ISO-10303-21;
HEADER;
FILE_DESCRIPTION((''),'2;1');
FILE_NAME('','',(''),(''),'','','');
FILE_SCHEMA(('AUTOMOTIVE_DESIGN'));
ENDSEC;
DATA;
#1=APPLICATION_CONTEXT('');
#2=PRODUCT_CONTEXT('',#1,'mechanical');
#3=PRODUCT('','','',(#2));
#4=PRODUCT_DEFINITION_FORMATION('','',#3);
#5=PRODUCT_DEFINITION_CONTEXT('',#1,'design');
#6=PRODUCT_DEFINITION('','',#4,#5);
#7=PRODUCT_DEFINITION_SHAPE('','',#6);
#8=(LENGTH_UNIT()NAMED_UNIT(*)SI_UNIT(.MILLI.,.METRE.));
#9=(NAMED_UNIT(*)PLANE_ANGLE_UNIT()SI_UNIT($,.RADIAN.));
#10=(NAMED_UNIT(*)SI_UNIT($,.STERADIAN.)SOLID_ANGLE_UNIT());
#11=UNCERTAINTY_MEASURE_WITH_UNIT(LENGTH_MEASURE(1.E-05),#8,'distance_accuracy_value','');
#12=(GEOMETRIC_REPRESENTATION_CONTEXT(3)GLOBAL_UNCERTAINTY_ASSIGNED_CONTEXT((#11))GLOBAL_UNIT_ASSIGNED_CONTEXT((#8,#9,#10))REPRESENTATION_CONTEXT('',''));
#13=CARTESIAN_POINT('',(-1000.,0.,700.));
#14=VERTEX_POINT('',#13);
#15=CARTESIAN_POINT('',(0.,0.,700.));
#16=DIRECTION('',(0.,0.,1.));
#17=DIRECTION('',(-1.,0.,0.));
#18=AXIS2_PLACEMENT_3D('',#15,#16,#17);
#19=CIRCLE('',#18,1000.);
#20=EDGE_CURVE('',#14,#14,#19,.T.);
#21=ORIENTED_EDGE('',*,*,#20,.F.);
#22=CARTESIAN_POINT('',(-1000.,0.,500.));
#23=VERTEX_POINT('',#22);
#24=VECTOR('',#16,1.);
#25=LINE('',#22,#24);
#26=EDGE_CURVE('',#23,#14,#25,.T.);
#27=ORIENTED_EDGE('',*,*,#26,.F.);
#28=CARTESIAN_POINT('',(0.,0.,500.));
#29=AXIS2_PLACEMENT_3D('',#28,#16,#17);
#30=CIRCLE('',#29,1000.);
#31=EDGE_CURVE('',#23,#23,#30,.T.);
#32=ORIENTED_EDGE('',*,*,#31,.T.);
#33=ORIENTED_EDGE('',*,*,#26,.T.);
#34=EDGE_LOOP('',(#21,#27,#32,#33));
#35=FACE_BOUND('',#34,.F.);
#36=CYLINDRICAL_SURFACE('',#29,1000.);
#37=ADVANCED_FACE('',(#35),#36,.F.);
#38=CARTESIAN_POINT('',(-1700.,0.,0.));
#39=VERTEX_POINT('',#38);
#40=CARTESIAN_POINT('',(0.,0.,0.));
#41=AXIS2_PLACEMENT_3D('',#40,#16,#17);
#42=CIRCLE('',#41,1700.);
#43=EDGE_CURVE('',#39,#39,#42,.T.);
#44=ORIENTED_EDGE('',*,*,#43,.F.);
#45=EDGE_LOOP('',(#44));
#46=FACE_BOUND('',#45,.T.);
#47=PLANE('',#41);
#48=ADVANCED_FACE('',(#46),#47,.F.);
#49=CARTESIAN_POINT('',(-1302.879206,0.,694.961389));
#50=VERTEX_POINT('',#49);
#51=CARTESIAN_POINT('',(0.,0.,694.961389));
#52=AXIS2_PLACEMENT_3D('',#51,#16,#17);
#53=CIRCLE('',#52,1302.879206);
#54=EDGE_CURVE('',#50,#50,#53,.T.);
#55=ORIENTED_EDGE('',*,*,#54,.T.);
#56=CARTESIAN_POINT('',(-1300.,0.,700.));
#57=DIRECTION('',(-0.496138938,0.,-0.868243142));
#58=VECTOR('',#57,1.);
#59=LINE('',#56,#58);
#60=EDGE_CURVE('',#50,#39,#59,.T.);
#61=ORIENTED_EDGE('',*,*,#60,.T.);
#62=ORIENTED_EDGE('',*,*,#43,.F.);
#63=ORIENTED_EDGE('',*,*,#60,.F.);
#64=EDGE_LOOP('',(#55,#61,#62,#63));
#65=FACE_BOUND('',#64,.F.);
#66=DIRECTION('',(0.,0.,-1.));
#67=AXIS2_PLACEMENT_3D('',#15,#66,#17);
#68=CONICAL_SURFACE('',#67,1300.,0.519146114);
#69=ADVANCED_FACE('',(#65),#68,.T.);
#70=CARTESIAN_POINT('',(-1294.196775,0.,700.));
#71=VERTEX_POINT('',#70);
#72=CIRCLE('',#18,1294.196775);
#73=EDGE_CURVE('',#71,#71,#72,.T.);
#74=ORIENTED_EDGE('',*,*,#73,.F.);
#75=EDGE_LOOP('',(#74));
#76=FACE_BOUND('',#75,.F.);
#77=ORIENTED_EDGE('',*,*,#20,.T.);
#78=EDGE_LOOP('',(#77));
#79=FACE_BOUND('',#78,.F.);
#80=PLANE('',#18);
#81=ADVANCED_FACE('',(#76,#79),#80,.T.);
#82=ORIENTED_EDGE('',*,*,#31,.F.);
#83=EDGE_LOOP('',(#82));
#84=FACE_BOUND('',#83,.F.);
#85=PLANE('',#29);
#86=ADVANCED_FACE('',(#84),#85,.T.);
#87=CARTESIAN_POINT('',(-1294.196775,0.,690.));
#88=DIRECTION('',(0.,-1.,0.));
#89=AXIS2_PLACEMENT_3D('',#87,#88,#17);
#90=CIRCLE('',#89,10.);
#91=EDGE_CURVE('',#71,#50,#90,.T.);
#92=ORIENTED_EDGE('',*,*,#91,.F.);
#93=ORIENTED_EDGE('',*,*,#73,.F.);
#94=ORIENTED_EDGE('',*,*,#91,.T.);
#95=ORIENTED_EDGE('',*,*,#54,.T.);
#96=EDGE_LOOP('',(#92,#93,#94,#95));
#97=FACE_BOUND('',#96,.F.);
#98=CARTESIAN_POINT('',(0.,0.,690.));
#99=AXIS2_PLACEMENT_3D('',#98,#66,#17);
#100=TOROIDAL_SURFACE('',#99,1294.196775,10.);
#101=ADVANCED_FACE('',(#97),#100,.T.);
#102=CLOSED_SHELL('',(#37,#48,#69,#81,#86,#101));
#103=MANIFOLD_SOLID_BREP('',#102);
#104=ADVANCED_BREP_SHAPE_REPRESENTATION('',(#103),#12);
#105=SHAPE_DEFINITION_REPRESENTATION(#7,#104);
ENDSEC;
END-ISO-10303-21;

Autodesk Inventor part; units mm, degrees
ref_plane "YZ Plane" through (0, 0, 0) normal (1, 0, 0) x (0, 1, 0)
ref_plane "XZ Plane" through (0, 0, 0) normal (0, 1, 0) x (-1, 0, 0)
ref_plane "XY Plane" through (0, 0, 0) normal (0, 0, 1) x (1, 0, 0)
sketch "Sketch2" plane through (0, 0, 0) normal (0, 1, 0) x (-1, 0, 0)
  line L0 (0, 0) -> (1700, 0)
  line L1 (0, 0) -> (0, 500)
  line L2 (0, 500) -> (1000, 500)
  line L3 (1000, 500) -> (1000, 700)
  line L4 (1000, 700) -> (1300, 700)
  line L5 (1300, 700) -> (1700, 0)
  dimension "d0" = 1700
  dimension "d1" = 500
  dimension "d2" = 1000
  dimension "d3" = 200
  dimension "d4" = 300
revolve "Revolution1" add sketch "Sketch2" angle 360 about axis through (0, 0, 0) along (0, 0, 1)
fillet "Fillet1" radius 10 1 edges at (1300, 0, 700)
properties part number "MainBase"
